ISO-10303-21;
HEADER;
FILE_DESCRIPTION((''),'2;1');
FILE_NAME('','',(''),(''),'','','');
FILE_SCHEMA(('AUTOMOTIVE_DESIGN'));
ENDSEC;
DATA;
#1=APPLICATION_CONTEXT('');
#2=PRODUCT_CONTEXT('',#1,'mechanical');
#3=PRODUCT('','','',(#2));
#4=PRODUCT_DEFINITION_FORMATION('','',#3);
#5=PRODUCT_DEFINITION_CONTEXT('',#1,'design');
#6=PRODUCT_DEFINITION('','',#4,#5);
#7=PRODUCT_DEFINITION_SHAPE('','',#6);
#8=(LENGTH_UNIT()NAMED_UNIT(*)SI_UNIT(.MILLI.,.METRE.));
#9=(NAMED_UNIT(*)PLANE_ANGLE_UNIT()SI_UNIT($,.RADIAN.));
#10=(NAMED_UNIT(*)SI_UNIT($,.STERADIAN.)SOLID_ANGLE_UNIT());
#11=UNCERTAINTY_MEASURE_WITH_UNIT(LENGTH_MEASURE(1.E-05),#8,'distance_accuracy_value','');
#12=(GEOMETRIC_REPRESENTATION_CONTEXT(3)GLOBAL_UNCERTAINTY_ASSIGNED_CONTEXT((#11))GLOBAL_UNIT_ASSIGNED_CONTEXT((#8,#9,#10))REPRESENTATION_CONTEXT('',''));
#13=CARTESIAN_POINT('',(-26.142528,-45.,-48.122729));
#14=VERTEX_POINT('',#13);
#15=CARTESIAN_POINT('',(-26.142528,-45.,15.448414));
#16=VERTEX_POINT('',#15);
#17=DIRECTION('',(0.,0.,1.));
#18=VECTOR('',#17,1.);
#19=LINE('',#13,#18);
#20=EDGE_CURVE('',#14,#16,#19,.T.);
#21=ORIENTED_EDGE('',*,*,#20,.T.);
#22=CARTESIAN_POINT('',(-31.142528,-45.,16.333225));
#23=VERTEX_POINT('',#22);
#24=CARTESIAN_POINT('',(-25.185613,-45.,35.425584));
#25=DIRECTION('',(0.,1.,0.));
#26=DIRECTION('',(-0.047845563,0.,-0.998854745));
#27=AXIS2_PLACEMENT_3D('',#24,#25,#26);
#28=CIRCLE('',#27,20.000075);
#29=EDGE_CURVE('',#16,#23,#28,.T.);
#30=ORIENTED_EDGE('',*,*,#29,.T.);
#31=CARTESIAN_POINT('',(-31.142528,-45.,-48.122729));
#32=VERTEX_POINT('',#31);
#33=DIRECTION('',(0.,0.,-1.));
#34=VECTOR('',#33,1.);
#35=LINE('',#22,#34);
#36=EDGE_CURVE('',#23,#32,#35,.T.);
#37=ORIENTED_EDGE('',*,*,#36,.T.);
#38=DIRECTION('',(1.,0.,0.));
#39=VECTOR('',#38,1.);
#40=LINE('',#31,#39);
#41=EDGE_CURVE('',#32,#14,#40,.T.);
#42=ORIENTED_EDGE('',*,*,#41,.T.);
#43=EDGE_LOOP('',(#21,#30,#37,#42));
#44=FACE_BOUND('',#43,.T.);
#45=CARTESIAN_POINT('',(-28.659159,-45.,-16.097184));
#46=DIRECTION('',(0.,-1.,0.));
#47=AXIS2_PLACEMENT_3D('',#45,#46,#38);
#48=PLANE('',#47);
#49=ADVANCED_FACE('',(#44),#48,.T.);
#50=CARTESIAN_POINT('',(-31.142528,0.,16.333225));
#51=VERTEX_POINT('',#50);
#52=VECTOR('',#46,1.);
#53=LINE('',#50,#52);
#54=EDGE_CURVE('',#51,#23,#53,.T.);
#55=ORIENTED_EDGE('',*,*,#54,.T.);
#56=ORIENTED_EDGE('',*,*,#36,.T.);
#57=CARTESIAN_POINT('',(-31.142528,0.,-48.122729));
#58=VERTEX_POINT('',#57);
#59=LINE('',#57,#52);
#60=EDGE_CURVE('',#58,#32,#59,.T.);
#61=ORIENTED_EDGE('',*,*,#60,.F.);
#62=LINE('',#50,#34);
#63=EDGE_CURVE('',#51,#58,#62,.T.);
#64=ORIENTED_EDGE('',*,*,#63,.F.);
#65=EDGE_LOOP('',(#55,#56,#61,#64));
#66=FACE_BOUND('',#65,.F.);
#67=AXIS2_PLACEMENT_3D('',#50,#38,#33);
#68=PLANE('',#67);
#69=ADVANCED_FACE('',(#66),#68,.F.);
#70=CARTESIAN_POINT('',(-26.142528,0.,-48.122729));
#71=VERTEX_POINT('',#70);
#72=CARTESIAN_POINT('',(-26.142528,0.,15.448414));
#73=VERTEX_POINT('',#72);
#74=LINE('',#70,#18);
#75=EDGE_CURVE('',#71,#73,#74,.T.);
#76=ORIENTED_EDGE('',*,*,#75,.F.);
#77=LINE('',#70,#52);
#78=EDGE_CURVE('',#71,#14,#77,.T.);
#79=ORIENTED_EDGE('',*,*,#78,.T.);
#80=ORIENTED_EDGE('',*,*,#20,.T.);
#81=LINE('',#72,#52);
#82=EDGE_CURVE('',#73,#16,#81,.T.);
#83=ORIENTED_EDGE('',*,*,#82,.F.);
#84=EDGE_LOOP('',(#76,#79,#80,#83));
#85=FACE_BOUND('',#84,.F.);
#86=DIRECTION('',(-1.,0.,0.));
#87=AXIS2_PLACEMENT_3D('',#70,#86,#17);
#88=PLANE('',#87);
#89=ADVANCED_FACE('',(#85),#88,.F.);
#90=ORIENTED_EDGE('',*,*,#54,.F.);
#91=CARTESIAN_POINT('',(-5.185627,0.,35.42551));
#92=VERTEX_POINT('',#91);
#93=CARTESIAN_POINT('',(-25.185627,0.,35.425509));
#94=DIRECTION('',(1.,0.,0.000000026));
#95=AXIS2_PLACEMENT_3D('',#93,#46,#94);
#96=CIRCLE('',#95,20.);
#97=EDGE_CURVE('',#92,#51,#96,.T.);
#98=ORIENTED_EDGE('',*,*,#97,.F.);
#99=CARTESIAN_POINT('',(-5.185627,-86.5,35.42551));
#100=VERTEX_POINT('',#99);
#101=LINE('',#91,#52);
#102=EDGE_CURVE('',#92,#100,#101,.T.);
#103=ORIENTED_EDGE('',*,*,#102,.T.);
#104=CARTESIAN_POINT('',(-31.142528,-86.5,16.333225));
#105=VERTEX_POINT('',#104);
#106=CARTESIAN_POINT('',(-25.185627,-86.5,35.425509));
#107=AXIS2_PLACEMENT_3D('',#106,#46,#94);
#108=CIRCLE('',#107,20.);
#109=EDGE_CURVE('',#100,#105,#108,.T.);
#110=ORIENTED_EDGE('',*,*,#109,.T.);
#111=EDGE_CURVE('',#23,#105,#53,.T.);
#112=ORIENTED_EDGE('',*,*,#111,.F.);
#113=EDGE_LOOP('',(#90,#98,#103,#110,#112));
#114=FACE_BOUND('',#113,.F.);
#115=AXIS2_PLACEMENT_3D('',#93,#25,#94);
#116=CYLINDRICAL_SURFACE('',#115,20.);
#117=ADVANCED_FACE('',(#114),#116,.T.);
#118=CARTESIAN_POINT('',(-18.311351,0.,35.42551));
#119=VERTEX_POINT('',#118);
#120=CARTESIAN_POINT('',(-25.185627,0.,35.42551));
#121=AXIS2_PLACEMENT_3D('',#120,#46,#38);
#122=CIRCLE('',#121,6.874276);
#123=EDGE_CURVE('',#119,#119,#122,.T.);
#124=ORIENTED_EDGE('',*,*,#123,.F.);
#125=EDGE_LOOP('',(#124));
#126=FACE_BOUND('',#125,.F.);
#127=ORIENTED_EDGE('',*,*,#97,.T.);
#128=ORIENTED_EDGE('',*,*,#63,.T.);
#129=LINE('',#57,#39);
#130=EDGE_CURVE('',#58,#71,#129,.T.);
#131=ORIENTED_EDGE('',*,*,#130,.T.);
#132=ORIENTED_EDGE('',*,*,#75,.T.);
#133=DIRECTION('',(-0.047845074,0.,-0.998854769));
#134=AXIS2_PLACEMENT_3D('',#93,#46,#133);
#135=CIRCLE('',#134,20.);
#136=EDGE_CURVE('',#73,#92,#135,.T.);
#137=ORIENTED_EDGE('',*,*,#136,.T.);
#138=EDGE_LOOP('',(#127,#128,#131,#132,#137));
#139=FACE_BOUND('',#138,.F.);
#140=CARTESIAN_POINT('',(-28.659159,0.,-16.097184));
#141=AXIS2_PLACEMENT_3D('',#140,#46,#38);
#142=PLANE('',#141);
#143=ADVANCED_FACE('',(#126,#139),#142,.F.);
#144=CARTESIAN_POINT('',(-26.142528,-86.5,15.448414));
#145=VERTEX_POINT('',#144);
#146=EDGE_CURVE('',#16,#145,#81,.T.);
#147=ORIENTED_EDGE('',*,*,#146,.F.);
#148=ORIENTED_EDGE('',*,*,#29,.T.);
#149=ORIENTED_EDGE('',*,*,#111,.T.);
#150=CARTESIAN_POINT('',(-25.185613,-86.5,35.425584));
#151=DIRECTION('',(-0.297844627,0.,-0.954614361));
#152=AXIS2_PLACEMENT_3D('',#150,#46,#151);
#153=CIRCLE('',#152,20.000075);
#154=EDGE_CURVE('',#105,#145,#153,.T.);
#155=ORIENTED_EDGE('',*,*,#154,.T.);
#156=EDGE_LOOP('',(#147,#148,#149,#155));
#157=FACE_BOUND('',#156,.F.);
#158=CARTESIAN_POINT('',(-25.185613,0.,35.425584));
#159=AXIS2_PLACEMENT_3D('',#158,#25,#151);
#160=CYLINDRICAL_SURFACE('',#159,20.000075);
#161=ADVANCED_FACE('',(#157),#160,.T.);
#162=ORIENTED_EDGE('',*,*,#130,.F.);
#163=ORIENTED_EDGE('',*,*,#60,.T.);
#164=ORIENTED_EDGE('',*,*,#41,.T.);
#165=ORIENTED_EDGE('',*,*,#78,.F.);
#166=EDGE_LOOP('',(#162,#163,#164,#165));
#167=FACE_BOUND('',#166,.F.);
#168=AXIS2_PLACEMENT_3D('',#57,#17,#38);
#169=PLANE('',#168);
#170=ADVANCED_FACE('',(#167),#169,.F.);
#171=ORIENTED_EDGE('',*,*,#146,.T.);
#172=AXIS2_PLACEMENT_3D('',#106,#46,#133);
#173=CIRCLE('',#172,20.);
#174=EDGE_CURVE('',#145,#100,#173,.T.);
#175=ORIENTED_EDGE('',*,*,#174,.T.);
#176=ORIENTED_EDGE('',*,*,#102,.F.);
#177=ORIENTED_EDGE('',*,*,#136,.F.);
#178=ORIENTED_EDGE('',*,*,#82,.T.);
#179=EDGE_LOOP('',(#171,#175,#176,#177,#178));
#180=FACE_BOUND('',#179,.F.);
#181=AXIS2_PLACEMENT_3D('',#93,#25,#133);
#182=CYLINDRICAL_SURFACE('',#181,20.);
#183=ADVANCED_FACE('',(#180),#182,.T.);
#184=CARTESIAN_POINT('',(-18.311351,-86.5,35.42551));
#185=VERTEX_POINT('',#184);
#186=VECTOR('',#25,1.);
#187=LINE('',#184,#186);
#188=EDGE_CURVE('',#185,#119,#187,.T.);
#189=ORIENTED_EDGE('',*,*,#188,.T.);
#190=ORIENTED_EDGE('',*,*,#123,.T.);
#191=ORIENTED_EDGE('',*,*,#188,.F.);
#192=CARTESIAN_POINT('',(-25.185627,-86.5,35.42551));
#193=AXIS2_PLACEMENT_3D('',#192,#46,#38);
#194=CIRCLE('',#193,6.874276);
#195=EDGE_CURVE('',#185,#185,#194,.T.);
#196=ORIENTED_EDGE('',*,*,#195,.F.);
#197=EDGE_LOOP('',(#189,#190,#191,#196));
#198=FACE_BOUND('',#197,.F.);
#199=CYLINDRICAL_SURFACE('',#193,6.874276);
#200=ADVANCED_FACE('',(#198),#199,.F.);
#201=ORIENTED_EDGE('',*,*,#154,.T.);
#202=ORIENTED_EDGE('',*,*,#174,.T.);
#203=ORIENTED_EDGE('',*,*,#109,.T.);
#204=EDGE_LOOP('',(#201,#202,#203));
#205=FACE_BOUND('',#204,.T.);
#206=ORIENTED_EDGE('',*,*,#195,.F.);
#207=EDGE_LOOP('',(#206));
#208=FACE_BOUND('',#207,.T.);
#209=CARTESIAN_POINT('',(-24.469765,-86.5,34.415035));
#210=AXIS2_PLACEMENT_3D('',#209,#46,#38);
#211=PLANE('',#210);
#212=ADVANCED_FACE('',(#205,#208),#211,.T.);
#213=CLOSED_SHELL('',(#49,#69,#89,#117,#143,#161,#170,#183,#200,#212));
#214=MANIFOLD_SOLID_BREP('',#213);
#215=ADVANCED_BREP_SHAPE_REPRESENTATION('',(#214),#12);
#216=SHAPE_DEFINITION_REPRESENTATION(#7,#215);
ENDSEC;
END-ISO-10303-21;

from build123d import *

# Parameters (mm, degrees)
F1_DEPTH = 86.5
F2_DEPTH = 45
F3_R     = 6.874276
F4_DEPTH = 100


with BuildPart() as f1:
    # F0 (on Front) → F1 (new body)
    with BuildSketch(Plane.XZ):
        with BuildLine():
            ThreePointArc((-26.142528, 15.448414), (-11.385953, 20.949011), (-5.185627, 35.42551))
            ThreePointArc((-5.185627, 35.42551), (-37.035985, 51.536655), (-31.142528, 16.333225))
            ThreePointArc((-31.142528, 16.333225), (-28.670722, 15.731498), (-26.142528, 15.448414))
        make_face()
    extrude(amount=F1_DEPTH)

    # F0 (on Front) → F2 (join)
    with BuildSketch(Plane.XZ):
        with BuildLine():
            ThreePointArc((-26.142528, 15.448414), (-28.670722, 15.731498), (-31.142528, 16.333225))
            Line((-31.142528, 16.333225), (-31.142528, -48.122729))
            Line((-31.142528, -48.122729), (-26.142528, -48.122729))
            Line((-26.142528, -48.122729), (-26.142528, 15.448414))
        make_face()
    extrude(amount=F2_DEPTH)

    # F3 (on face) → F4 (cut)
    with BuildSketch(Plane.XZ.offset(86.5)):
        with Locations((-25.185627, 35.42551)):
            Circle(F3_R)
    extrude(amount=-F4_DEPTH, mode=Mode.SUBTRACT)


solid = f1.part
